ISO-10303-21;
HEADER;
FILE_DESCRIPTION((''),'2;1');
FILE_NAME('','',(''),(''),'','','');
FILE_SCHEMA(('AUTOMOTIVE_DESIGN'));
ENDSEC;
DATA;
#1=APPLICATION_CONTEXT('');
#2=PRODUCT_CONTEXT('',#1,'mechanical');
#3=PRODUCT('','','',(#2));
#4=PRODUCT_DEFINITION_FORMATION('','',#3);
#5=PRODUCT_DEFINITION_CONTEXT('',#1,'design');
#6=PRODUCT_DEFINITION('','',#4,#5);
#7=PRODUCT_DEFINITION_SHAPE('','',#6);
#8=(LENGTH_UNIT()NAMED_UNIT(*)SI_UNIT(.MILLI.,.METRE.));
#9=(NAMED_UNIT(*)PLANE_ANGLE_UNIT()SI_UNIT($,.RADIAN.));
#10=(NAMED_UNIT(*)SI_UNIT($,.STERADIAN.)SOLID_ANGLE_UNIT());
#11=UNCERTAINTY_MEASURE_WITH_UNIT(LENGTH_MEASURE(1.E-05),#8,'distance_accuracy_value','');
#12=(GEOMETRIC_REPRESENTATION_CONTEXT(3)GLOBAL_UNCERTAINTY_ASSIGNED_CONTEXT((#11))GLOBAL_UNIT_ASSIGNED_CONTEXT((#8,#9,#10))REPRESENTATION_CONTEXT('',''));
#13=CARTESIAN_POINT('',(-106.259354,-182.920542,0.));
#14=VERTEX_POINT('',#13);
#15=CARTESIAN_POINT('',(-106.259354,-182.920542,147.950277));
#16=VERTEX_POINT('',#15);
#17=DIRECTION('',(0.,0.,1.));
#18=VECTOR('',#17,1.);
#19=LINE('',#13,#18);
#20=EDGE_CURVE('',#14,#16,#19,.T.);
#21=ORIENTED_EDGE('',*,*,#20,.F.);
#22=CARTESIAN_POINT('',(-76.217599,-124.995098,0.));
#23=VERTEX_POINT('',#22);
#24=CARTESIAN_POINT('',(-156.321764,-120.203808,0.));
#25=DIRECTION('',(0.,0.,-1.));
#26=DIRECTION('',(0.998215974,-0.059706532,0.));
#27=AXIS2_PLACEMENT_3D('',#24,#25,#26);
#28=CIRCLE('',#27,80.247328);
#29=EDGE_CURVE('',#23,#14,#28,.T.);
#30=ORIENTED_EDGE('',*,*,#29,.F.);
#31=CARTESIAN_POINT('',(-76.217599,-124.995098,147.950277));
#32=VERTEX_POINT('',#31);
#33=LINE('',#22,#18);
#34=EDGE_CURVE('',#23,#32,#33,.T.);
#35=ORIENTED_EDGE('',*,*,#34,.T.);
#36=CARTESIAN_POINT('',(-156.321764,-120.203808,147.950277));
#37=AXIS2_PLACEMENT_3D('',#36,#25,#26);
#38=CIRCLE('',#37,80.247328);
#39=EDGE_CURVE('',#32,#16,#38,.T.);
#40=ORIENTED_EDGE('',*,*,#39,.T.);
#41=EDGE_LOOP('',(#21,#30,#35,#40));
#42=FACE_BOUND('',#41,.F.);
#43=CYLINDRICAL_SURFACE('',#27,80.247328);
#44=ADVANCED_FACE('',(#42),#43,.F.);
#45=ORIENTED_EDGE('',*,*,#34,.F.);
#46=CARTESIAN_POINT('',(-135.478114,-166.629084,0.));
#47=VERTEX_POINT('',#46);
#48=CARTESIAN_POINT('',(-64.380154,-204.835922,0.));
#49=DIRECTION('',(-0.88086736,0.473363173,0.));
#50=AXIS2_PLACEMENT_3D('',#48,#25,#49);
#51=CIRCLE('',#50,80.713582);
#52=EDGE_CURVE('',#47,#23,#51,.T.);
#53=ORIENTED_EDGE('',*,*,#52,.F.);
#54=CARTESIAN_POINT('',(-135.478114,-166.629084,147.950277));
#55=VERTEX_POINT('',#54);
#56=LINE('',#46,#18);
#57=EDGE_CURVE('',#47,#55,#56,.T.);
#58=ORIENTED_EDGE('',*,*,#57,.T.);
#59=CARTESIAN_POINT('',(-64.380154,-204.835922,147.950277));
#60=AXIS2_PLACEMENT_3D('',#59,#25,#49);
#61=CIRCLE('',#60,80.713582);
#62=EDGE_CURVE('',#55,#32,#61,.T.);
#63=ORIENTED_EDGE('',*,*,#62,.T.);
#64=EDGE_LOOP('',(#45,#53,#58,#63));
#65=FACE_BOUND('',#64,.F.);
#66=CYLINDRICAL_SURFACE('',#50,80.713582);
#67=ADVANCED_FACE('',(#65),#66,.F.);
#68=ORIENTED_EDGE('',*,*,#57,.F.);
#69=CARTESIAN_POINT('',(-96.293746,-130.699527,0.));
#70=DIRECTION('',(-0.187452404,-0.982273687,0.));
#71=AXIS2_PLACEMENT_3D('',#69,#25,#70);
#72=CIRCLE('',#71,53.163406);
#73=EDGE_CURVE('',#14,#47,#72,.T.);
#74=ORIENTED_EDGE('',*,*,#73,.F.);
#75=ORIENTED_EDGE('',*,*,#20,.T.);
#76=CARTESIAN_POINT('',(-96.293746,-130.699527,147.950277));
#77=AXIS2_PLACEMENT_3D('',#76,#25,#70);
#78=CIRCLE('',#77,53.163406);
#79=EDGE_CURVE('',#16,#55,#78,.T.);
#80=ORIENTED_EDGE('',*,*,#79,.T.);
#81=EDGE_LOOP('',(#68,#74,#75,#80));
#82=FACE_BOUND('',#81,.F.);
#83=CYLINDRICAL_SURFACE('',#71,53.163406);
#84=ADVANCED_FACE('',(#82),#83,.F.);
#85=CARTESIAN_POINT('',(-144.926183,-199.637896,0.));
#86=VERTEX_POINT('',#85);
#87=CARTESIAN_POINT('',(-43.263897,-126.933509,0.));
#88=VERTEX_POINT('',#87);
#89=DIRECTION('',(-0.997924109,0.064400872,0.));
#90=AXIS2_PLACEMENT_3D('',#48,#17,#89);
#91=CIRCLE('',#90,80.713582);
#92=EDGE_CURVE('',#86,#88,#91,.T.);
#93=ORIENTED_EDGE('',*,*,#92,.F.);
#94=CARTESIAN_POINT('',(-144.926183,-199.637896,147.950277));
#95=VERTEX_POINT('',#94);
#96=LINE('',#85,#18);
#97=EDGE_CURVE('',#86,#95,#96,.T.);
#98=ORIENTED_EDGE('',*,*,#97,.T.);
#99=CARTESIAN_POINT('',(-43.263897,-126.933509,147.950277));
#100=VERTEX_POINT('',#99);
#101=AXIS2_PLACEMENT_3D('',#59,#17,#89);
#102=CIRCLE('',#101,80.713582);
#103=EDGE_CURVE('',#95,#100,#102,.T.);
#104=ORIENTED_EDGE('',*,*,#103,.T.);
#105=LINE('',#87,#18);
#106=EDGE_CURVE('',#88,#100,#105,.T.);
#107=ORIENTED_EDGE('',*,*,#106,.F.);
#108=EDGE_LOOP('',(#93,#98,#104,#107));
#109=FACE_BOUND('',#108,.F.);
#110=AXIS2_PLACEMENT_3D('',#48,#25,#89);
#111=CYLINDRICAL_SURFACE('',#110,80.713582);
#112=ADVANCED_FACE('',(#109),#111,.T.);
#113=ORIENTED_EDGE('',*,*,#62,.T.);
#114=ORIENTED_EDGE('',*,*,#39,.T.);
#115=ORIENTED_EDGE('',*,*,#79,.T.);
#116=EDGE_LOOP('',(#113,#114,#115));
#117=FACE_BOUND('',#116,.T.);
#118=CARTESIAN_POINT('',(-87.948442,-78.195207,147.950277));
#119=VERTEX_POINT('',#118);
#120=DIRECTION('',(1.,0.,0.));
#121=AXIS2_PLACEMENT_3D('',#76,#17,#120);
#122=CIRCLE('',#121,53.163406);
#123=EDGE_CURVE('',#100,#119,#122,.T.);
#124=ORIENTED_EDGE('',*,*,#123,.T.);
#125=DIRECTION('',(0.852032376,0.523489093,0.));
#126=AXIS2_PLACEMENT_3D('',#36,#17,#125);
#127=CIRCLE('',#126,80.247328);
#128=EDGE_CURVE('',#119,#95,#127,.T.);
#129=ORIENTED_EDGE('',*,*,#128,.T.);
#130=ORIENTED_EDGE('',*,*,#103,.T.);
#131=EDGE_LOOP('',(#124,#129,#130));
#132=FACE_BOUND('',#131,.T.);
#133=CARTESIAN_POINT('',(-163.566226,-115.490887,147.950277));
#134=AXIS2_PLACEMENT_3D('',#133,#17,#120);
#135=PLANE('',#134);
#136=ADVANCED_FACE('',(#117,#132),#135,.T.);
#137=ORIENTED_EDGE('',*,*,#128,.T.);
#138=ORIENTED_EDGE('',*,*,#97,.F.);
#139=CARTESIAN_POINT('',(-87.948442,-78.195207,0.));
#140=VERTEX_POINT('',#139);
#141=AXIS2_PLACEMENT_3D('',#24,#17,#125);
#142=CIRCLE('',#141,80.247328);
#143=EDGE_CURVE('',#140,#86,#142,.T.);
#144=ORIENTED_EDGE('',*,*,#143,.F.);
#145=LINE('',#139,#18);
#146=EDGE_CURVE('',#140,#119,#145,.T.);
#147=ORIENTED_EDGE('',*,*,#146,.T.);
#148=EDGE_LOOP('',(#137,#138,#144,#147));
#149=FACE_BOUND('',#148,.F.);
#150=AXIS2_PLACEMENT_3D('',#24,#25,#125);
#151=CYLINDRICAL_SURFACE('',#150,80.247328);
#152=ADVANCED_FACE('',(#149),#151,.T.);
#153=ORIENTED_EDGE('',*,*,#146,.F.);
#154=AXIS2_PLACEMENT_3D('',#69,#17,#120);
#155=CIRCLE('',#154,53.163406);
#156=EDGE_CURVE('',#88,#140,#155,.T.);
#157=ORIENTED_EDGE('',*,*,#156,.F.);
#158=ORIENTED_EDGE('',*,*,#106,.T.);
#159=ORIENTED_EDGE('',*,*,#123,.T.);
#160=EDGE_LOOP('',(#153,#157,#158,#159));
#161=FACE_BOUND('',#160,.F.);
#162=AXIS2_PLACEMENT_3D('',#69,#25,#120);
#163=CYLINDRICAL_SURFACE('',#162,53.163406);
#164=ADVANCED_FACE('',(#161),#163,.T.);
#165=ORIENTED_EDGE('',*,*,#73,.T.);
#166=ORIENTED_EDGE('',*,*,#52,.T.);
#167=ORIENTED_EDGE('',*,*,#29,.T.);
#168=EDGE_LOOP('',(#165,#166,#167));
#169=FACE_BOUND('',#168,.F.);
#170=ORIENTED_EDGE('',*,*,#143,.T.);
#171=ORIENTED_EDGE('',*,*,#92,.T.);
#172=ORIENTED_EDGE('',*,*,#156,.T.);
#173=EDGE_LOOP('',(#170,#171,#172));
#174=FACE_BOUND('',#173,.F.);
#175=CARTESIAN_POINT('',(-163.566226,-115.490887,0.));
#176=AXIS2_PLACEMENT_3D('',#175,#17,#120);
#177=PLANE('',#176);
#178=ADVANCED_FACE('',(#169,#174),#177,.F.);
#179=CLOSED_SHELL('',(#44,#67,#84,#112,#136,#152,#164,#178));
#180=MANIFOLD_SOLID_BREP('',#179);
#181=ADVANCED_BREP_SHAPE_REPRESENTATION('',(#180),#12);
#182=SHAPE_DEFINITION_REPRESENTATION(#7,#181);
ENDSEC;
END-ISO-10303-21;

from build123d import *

# Parameters (mm, degrees)
F1_DEPTH = 147.9502767324


with BuildPart() as f1:
    # F0 (on Top) → F1 (new body)
    with BuildSketch(Plane.XY):
        with BuildLine():
            ThreePointArc((-87.9484422868, -78.1952069234), (-228.9705848103, -86.1188770419), (-144.926183088, -199.6378964581))
            ThreePointArc((-144.926183088, -199.6378964581), (-141.9776426647, -182.625293005), (-135.4781136343, -166.6290844149))
            ThreePointArc((-135.4781136343, -166.6290844149), (-143.1221520937, -105.5311323371), (-87.9484422868, -78.1952069234))
        make_face()
        with BuildLine():
            ThreePointArc((-43.1303394705, -130.6995274151), (-43.1637393197, -128.8153342329), (-43.2638969004, -126.9335085352))
            ThreePointArc((-43.2638969004, -126.9335085352), (-59.6405921047, -124.2616153411), (-76.2175991553, -124.9950976526))
            ThreePointArc((-76.2175991553, -124.9950976526), (-85.0850207305, -157.1491742454), (-106.2593539774, -182.9205424373))
            ThreePointArc((-106.2593539774, -182.9205424373), (-62.407597495, -171.6638621544), (-43.1303394705, -130.6995274151))
        make_face()
        with BuildLine():
            ThreePointArc((-135.4781136343, -166.6290844149), (-141.9776426647, -182.625293005), (-144.926183088, -199.6378964581))
            ThreePointArc((-144.926183088, -199.6378964581), (-124.4762204529, -193.8617677231), (-106.2593539774, -182.9205424373))
            ThreePointArc((-106.2593539774, -182.9205424373), (-122.1835688251, -177.1329724297), (-135.4781136343, -166.6290844149))
        make_face()
        with BuildLine():
            ThreePointArc((-76.2175991553, -124.9950976526), (-59.6405921047, -124.2616153411), (-43.2638969004, -126.9335085352))
            ThreePointArc((-43.2638969004, -126.9335085352), (-57.1072322193, -94.7723104014), (-87.9484422868, -78.1952069234))
            ThreePointArc((-87.9484422868, -78.1952069234), (-79.099972808, -98.3765624175), (-76.0744358047, -120.20380795))
            ThreePointArc((-76.0744358047, -120.20380795), (-76.1102346274, -122.6005219901), (-76.2175991553, -124.9950976526))
        make_face()
        with BuildLine():
            ThreePointArc((-135.4781136343, -166.6290844149), (-110.7796966213, -138.7922639194), (-76.2175991553, -124.9950976526))
            ThreePointArc((-76.2175991553, -124.9950976526), (-76.1102346274, -122.6005219901), (-76.0744358047, -120.20380795))
            ThreePointArc((-76.0744358047, -120.20380795), (-79.099972808, -98.3765624175), (-87.9484422868, -78.1952069234))
            ThreePointArc((-87.9484422868, -78.1952069234), (-143.1221520937, -105.5311323371), (-135.4781136343, -166.6290844149))
        make_face()
        with BuildLine():
            ThreePointArc((-144.926183088, -199.6378964581), (-66.9805164151, -285.5076041639), (16.3334276456, -204.835921526))
            ThreePointArc((16.3334276456, -204.835921526), (-0.2745731056, -155.7935239428), (-43.2638969004, -126.9335085352))
            ThreePointArc((-43.2638969004, -126.9335085352), (-43.1637393197, -128.8153342329), (-43.1303394705, -130.6995274151))
            ThreePointArc((-43.1303394705, -130.6995274151), (-62.407597495, -171.6638621544), (-106.2593539774, -182.9205424373))
            ThreePointArc((-106.2593539774, -182.9205424373), (-124.4762204529, -193.8617677231), (-144.926183088, -199.6378964581))
        make_face()
    extrude(amount=F1_DEPTH)


solid = f1.part
